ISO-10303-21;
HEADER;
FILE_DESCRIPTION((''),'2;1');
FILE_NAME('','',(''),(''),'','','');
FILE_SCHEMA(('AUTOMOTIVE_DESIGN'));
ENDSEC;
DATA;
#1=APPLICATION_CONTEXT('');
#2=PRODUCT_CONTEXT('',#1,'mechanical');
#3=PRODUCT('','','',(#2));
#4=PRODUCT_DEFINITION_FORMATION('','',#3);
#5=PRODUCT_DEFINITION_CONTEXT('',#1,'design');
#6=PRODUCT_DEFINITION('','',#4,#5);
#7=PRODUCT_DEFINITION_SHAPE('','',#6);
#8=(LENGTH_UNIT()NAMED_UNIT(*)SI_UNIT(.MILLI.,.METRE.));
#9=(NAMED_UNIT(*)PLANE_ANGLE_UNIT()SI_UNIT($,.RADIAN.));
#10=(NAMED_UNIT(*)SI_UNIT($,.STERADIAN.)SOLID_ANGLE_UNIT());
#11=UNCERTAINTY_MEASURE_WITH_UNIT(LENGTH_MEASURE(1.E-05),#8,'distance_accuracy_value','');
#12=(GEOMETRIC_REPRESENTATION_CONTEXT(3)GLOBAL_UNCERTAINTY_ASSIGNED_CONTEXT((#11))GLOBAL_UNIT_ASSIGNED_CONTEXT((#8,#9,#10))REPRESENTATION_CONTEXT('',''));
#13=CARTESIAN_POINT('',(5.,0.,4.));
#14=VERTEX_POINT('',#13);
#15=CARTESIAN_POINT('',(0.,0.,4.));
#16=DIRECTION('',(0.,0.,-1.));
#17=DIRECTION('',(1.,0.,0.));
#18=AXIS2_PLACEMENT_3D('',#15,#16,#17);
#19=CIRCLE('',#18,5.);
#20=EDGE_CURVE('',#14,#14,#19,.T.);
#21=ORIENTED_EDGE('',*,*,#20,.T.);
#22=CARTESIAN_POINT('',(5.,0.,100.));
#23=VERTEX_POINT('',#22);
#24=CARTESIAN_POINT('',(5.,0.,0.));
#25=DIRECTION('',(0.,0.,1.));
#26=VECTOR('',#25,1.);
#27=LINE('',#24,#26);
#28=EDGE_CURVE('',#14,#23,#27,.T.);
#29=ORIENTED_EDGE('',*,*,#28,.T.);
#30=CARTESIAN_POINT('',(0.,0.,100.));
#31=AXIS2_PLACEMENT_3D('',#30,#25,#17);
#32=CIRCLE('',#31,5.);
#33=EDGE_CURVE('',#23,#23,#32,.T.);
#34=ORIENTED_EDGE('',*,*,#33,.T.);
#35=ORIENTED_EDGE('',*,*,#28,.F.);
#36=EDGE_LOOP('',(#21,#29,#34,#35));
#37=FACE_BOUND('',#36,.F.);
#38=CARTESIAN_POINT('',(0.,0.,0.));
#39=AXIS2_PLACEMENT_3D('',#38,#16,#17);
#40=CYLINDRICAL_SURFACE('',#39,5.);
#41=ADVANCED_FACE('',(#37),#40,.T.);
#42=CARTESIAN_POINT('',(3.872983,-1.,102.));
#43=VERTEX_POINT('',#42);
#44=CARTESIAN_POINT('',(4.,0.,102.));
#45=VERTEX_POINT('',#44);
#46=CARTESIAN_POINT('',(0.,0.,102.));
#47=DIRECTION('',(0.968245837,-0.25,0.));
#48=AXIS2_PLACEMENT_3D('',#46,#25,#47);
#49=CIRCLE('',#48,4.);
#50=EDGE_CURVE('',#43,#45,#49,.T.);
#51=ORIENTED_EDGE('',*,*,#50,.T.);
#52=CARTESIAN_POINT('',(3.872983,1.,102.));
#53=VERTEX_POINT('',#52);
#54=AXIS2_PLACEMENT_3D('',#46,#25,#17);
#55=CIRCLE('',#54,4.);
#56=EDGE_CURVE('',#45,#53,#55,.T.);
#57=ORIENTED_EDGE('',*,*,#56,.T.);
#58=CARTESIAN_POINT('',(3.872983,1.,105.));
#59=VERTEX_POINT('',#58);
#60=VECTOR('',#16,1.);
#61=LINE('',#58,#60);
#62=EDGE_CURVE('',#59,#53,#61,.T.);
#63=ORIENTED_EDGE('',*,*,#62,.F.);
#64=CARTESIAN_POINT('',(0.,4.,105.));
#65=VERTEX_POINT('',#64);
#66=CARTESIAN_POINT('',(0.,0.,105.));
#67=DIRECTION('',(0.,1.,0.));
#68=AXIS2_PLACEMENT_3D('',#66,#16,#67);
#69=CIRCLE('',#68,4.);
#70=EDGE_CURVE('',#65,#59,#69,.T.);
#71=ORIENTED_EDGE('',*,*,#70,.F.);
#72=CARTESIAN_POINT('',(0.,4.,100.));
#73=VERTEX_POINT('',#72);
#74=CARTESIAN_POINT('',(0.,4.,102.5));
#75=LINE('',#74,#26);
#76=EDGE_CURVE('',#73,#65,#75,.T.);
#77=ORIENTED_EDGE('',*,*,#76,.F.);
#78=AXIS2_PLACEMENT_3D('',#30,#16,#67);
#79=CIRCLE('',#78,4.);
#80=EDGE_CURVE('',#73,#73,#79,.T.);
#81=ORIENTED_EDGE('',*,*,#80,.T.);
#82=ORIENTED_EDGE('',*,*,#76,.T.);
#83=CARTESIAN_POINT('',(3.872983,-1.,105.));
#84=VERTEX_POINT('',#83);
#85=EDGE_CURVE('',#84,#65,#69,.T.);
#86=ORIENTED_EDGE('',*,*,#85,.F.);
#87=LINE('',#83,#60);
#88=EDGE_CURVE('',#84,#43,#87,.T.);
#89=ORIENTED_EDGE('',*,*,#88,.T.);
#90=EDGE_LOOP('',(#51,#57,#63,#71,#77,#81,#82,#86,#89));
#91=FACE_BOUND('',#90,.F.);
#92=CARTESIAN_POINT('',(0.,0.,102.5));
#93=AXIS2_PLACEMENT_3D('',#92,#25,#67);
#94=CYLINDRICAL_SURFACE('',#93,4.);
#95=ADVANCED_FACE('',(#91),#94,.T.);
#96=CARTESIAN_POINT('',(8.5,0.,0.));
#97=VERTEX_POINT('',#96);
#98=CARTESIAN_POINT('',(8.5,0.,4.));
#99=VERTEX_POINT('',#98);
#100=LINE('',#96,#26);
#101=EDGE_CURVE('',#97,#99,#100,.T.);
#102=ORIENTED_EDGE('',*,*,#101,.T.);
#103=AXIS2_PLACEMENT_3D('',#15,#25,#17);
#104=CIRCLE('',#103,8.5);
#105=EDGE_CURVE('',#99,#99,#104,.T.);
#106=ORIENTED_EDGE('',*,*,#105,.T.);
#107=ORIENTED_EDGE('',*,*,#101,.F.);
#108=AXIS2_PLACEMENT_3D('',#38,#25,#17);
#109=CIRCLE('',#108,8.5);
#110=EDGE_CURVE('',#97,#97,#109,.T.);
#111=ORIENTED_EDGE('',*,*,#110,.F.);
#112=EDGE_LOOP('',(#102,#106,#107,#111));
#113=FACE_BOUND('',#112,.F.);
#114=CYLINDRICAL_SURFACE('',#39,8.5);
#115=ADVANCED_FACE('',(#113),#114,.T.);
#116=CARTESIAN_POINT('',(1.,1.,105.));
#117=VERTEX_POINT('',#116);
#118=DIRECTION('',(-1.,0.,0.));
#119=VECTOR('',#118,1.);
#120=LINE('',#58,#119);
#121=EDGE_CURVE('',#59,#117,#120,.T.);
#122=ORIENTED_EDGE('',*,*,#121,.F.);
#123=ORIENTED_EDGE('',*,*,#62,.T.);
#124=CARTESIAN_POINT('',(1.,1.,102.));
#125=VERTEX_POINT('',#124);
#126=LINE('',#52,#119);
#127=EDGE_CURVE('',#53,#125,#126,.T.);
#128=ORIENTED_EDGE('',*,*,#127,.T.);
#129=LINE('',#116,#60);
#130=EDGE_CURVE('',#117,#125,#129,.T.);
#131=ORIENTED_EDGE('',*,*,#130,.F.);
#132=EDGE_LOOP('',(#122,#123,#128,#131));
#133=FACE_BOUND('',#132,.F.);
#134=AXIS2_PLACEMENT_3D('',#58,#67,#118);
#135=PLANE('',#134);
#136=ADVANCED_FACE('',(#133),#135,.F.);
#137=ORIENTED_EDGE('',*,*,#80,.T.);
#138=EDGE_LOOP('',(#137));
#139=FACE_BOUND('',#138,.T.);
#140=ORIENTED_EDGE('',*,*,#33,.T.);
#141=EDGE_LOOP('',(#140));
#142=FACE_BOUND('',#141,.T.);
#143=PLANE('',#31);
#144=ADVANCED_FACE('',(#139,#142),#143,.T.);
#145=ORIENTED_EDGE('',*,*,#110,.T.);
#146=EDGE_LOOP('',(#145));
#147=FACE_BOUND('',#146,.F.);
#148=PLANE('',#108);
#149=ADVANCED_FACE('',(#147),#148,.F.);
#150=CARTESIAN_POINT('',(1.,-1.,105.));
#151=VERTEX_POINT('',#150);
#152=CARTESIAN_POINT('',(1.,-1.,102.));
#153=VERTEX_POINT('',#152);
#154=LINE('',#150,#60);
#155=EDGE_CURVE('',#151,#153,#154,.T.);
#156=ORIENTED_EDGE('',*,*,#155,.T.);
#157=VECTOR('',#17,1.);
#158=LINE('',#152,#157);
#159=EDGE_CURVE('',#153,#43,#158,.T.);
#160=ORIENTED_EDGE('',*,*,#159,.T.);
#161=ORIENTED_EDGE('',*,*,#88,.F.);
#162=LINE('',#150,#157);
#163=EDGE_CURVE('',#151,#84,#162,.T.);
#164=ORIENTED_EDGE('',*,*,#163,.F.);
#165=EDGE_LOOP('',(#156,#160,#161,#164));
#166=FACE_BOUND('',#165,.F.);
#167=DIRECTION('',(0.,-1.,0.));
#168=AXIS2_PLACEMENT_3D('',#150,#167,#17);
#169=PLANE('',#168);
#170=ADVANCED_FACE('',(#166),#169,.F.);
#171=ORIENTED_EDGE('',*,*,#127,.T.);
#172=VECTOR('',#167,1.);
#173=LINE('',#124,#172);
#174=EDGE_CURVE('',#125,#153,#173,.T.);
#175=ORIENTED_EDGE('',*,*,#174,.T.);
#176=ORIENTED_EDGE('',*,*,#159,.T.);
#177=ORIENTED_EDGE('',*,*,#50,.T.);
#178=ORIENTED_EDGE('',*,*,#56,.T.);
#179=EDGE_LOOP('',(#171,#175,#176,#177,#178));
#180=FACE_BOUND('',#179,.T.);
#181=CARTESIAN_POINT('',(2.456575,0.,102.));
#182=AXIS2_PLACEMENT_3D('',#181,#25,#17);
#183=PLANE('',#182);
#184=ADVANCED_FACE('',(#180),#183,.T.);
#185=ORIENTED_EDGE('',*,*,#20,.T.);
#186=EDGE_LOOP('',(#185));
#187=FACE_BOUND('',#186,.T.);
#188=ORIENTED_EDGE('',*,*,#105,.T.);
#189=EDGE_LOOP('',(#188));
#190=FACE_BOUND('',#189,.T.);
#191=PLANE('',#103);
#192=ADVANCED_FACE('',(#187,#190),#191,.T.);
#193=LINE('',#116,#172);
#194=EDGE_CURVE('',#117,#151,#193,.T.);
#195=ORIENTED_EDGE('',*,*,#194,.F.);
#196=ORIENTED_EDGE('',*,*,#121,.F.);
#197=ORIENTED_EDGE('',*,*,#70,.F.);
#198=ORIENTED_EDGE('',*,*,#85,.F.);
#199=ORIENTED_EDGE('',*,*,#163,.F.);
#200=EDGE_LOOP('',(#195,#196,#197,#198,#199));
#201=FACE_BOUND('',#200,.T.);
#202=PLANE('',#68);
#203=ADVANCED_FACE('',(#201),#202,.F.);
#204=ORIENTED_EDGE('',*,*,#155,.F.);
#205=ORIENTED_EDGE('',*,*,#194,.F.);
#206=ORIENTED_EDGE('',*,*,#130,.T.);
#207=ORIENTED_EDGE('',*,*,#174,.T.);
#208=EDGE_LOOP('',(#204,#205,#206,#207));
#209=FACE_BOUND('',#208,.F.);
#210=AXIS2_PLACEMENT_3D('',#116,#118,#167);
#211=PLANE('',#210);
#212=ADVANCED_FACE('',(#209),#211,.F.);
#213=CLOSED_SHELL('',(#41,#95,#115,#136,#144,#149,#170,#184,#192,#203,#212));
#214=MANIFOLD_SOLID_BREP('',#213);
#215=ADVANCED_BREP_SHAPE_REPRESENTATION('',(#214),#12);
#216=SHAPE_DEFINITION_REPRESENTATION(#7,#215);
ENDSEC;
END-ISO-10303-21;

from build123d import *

# Parameters (mm, degrees)
F0_R     = 8.5
F1_DEPTH = 4
F3_R     = 5
F4_DEPTH = 100
F5_W     = 4
F5_H     = 5
F9_DEPTH = 3


with BuildPart() as f1:
    # F0 (on Top) → F1 (new body)
    with BuildSketch(Plane.XY):
        Circle(F0_R)
    extrude(amount=F1_DEPTH)

    # F3 (on Top) → F4 (join)
    with BuildSketch(Plane.XY):
        Circle(F3_R)
    extrude(amount=F4_DEPTH)

    # F5 (on Right) → F6 (revolve)
    with BuildSketch(Plane.YZ):
        with Locations((2, 102.5)):
            Rectangle(F5_W, F5_H)
    revolve(axis=Axis((0, 0, 102.5), (0, 0, -1)))

    # F8 (on face) → F9 (cut)
    with BuildSketch(Plane.XY.offset(105)):
        with BuildLine():
            Line((3.8729833462, 1), (1, 1))
            Line((1, 1), (1, -1))
            Line((1, -1), (3.8729833462, -1))
            ThreePointArc((3.8729833462, -1), (3.9681187851, -0.5040171699), (4, 0))
            ThreePointArc((4, 0), (3.9681187851, 0.5040171699), (3.8729833462, 1))
        make_face()
    extrude(amount=-F9_DEPTH, mode=Mode.SUBTRACT)


solid = f1.part
